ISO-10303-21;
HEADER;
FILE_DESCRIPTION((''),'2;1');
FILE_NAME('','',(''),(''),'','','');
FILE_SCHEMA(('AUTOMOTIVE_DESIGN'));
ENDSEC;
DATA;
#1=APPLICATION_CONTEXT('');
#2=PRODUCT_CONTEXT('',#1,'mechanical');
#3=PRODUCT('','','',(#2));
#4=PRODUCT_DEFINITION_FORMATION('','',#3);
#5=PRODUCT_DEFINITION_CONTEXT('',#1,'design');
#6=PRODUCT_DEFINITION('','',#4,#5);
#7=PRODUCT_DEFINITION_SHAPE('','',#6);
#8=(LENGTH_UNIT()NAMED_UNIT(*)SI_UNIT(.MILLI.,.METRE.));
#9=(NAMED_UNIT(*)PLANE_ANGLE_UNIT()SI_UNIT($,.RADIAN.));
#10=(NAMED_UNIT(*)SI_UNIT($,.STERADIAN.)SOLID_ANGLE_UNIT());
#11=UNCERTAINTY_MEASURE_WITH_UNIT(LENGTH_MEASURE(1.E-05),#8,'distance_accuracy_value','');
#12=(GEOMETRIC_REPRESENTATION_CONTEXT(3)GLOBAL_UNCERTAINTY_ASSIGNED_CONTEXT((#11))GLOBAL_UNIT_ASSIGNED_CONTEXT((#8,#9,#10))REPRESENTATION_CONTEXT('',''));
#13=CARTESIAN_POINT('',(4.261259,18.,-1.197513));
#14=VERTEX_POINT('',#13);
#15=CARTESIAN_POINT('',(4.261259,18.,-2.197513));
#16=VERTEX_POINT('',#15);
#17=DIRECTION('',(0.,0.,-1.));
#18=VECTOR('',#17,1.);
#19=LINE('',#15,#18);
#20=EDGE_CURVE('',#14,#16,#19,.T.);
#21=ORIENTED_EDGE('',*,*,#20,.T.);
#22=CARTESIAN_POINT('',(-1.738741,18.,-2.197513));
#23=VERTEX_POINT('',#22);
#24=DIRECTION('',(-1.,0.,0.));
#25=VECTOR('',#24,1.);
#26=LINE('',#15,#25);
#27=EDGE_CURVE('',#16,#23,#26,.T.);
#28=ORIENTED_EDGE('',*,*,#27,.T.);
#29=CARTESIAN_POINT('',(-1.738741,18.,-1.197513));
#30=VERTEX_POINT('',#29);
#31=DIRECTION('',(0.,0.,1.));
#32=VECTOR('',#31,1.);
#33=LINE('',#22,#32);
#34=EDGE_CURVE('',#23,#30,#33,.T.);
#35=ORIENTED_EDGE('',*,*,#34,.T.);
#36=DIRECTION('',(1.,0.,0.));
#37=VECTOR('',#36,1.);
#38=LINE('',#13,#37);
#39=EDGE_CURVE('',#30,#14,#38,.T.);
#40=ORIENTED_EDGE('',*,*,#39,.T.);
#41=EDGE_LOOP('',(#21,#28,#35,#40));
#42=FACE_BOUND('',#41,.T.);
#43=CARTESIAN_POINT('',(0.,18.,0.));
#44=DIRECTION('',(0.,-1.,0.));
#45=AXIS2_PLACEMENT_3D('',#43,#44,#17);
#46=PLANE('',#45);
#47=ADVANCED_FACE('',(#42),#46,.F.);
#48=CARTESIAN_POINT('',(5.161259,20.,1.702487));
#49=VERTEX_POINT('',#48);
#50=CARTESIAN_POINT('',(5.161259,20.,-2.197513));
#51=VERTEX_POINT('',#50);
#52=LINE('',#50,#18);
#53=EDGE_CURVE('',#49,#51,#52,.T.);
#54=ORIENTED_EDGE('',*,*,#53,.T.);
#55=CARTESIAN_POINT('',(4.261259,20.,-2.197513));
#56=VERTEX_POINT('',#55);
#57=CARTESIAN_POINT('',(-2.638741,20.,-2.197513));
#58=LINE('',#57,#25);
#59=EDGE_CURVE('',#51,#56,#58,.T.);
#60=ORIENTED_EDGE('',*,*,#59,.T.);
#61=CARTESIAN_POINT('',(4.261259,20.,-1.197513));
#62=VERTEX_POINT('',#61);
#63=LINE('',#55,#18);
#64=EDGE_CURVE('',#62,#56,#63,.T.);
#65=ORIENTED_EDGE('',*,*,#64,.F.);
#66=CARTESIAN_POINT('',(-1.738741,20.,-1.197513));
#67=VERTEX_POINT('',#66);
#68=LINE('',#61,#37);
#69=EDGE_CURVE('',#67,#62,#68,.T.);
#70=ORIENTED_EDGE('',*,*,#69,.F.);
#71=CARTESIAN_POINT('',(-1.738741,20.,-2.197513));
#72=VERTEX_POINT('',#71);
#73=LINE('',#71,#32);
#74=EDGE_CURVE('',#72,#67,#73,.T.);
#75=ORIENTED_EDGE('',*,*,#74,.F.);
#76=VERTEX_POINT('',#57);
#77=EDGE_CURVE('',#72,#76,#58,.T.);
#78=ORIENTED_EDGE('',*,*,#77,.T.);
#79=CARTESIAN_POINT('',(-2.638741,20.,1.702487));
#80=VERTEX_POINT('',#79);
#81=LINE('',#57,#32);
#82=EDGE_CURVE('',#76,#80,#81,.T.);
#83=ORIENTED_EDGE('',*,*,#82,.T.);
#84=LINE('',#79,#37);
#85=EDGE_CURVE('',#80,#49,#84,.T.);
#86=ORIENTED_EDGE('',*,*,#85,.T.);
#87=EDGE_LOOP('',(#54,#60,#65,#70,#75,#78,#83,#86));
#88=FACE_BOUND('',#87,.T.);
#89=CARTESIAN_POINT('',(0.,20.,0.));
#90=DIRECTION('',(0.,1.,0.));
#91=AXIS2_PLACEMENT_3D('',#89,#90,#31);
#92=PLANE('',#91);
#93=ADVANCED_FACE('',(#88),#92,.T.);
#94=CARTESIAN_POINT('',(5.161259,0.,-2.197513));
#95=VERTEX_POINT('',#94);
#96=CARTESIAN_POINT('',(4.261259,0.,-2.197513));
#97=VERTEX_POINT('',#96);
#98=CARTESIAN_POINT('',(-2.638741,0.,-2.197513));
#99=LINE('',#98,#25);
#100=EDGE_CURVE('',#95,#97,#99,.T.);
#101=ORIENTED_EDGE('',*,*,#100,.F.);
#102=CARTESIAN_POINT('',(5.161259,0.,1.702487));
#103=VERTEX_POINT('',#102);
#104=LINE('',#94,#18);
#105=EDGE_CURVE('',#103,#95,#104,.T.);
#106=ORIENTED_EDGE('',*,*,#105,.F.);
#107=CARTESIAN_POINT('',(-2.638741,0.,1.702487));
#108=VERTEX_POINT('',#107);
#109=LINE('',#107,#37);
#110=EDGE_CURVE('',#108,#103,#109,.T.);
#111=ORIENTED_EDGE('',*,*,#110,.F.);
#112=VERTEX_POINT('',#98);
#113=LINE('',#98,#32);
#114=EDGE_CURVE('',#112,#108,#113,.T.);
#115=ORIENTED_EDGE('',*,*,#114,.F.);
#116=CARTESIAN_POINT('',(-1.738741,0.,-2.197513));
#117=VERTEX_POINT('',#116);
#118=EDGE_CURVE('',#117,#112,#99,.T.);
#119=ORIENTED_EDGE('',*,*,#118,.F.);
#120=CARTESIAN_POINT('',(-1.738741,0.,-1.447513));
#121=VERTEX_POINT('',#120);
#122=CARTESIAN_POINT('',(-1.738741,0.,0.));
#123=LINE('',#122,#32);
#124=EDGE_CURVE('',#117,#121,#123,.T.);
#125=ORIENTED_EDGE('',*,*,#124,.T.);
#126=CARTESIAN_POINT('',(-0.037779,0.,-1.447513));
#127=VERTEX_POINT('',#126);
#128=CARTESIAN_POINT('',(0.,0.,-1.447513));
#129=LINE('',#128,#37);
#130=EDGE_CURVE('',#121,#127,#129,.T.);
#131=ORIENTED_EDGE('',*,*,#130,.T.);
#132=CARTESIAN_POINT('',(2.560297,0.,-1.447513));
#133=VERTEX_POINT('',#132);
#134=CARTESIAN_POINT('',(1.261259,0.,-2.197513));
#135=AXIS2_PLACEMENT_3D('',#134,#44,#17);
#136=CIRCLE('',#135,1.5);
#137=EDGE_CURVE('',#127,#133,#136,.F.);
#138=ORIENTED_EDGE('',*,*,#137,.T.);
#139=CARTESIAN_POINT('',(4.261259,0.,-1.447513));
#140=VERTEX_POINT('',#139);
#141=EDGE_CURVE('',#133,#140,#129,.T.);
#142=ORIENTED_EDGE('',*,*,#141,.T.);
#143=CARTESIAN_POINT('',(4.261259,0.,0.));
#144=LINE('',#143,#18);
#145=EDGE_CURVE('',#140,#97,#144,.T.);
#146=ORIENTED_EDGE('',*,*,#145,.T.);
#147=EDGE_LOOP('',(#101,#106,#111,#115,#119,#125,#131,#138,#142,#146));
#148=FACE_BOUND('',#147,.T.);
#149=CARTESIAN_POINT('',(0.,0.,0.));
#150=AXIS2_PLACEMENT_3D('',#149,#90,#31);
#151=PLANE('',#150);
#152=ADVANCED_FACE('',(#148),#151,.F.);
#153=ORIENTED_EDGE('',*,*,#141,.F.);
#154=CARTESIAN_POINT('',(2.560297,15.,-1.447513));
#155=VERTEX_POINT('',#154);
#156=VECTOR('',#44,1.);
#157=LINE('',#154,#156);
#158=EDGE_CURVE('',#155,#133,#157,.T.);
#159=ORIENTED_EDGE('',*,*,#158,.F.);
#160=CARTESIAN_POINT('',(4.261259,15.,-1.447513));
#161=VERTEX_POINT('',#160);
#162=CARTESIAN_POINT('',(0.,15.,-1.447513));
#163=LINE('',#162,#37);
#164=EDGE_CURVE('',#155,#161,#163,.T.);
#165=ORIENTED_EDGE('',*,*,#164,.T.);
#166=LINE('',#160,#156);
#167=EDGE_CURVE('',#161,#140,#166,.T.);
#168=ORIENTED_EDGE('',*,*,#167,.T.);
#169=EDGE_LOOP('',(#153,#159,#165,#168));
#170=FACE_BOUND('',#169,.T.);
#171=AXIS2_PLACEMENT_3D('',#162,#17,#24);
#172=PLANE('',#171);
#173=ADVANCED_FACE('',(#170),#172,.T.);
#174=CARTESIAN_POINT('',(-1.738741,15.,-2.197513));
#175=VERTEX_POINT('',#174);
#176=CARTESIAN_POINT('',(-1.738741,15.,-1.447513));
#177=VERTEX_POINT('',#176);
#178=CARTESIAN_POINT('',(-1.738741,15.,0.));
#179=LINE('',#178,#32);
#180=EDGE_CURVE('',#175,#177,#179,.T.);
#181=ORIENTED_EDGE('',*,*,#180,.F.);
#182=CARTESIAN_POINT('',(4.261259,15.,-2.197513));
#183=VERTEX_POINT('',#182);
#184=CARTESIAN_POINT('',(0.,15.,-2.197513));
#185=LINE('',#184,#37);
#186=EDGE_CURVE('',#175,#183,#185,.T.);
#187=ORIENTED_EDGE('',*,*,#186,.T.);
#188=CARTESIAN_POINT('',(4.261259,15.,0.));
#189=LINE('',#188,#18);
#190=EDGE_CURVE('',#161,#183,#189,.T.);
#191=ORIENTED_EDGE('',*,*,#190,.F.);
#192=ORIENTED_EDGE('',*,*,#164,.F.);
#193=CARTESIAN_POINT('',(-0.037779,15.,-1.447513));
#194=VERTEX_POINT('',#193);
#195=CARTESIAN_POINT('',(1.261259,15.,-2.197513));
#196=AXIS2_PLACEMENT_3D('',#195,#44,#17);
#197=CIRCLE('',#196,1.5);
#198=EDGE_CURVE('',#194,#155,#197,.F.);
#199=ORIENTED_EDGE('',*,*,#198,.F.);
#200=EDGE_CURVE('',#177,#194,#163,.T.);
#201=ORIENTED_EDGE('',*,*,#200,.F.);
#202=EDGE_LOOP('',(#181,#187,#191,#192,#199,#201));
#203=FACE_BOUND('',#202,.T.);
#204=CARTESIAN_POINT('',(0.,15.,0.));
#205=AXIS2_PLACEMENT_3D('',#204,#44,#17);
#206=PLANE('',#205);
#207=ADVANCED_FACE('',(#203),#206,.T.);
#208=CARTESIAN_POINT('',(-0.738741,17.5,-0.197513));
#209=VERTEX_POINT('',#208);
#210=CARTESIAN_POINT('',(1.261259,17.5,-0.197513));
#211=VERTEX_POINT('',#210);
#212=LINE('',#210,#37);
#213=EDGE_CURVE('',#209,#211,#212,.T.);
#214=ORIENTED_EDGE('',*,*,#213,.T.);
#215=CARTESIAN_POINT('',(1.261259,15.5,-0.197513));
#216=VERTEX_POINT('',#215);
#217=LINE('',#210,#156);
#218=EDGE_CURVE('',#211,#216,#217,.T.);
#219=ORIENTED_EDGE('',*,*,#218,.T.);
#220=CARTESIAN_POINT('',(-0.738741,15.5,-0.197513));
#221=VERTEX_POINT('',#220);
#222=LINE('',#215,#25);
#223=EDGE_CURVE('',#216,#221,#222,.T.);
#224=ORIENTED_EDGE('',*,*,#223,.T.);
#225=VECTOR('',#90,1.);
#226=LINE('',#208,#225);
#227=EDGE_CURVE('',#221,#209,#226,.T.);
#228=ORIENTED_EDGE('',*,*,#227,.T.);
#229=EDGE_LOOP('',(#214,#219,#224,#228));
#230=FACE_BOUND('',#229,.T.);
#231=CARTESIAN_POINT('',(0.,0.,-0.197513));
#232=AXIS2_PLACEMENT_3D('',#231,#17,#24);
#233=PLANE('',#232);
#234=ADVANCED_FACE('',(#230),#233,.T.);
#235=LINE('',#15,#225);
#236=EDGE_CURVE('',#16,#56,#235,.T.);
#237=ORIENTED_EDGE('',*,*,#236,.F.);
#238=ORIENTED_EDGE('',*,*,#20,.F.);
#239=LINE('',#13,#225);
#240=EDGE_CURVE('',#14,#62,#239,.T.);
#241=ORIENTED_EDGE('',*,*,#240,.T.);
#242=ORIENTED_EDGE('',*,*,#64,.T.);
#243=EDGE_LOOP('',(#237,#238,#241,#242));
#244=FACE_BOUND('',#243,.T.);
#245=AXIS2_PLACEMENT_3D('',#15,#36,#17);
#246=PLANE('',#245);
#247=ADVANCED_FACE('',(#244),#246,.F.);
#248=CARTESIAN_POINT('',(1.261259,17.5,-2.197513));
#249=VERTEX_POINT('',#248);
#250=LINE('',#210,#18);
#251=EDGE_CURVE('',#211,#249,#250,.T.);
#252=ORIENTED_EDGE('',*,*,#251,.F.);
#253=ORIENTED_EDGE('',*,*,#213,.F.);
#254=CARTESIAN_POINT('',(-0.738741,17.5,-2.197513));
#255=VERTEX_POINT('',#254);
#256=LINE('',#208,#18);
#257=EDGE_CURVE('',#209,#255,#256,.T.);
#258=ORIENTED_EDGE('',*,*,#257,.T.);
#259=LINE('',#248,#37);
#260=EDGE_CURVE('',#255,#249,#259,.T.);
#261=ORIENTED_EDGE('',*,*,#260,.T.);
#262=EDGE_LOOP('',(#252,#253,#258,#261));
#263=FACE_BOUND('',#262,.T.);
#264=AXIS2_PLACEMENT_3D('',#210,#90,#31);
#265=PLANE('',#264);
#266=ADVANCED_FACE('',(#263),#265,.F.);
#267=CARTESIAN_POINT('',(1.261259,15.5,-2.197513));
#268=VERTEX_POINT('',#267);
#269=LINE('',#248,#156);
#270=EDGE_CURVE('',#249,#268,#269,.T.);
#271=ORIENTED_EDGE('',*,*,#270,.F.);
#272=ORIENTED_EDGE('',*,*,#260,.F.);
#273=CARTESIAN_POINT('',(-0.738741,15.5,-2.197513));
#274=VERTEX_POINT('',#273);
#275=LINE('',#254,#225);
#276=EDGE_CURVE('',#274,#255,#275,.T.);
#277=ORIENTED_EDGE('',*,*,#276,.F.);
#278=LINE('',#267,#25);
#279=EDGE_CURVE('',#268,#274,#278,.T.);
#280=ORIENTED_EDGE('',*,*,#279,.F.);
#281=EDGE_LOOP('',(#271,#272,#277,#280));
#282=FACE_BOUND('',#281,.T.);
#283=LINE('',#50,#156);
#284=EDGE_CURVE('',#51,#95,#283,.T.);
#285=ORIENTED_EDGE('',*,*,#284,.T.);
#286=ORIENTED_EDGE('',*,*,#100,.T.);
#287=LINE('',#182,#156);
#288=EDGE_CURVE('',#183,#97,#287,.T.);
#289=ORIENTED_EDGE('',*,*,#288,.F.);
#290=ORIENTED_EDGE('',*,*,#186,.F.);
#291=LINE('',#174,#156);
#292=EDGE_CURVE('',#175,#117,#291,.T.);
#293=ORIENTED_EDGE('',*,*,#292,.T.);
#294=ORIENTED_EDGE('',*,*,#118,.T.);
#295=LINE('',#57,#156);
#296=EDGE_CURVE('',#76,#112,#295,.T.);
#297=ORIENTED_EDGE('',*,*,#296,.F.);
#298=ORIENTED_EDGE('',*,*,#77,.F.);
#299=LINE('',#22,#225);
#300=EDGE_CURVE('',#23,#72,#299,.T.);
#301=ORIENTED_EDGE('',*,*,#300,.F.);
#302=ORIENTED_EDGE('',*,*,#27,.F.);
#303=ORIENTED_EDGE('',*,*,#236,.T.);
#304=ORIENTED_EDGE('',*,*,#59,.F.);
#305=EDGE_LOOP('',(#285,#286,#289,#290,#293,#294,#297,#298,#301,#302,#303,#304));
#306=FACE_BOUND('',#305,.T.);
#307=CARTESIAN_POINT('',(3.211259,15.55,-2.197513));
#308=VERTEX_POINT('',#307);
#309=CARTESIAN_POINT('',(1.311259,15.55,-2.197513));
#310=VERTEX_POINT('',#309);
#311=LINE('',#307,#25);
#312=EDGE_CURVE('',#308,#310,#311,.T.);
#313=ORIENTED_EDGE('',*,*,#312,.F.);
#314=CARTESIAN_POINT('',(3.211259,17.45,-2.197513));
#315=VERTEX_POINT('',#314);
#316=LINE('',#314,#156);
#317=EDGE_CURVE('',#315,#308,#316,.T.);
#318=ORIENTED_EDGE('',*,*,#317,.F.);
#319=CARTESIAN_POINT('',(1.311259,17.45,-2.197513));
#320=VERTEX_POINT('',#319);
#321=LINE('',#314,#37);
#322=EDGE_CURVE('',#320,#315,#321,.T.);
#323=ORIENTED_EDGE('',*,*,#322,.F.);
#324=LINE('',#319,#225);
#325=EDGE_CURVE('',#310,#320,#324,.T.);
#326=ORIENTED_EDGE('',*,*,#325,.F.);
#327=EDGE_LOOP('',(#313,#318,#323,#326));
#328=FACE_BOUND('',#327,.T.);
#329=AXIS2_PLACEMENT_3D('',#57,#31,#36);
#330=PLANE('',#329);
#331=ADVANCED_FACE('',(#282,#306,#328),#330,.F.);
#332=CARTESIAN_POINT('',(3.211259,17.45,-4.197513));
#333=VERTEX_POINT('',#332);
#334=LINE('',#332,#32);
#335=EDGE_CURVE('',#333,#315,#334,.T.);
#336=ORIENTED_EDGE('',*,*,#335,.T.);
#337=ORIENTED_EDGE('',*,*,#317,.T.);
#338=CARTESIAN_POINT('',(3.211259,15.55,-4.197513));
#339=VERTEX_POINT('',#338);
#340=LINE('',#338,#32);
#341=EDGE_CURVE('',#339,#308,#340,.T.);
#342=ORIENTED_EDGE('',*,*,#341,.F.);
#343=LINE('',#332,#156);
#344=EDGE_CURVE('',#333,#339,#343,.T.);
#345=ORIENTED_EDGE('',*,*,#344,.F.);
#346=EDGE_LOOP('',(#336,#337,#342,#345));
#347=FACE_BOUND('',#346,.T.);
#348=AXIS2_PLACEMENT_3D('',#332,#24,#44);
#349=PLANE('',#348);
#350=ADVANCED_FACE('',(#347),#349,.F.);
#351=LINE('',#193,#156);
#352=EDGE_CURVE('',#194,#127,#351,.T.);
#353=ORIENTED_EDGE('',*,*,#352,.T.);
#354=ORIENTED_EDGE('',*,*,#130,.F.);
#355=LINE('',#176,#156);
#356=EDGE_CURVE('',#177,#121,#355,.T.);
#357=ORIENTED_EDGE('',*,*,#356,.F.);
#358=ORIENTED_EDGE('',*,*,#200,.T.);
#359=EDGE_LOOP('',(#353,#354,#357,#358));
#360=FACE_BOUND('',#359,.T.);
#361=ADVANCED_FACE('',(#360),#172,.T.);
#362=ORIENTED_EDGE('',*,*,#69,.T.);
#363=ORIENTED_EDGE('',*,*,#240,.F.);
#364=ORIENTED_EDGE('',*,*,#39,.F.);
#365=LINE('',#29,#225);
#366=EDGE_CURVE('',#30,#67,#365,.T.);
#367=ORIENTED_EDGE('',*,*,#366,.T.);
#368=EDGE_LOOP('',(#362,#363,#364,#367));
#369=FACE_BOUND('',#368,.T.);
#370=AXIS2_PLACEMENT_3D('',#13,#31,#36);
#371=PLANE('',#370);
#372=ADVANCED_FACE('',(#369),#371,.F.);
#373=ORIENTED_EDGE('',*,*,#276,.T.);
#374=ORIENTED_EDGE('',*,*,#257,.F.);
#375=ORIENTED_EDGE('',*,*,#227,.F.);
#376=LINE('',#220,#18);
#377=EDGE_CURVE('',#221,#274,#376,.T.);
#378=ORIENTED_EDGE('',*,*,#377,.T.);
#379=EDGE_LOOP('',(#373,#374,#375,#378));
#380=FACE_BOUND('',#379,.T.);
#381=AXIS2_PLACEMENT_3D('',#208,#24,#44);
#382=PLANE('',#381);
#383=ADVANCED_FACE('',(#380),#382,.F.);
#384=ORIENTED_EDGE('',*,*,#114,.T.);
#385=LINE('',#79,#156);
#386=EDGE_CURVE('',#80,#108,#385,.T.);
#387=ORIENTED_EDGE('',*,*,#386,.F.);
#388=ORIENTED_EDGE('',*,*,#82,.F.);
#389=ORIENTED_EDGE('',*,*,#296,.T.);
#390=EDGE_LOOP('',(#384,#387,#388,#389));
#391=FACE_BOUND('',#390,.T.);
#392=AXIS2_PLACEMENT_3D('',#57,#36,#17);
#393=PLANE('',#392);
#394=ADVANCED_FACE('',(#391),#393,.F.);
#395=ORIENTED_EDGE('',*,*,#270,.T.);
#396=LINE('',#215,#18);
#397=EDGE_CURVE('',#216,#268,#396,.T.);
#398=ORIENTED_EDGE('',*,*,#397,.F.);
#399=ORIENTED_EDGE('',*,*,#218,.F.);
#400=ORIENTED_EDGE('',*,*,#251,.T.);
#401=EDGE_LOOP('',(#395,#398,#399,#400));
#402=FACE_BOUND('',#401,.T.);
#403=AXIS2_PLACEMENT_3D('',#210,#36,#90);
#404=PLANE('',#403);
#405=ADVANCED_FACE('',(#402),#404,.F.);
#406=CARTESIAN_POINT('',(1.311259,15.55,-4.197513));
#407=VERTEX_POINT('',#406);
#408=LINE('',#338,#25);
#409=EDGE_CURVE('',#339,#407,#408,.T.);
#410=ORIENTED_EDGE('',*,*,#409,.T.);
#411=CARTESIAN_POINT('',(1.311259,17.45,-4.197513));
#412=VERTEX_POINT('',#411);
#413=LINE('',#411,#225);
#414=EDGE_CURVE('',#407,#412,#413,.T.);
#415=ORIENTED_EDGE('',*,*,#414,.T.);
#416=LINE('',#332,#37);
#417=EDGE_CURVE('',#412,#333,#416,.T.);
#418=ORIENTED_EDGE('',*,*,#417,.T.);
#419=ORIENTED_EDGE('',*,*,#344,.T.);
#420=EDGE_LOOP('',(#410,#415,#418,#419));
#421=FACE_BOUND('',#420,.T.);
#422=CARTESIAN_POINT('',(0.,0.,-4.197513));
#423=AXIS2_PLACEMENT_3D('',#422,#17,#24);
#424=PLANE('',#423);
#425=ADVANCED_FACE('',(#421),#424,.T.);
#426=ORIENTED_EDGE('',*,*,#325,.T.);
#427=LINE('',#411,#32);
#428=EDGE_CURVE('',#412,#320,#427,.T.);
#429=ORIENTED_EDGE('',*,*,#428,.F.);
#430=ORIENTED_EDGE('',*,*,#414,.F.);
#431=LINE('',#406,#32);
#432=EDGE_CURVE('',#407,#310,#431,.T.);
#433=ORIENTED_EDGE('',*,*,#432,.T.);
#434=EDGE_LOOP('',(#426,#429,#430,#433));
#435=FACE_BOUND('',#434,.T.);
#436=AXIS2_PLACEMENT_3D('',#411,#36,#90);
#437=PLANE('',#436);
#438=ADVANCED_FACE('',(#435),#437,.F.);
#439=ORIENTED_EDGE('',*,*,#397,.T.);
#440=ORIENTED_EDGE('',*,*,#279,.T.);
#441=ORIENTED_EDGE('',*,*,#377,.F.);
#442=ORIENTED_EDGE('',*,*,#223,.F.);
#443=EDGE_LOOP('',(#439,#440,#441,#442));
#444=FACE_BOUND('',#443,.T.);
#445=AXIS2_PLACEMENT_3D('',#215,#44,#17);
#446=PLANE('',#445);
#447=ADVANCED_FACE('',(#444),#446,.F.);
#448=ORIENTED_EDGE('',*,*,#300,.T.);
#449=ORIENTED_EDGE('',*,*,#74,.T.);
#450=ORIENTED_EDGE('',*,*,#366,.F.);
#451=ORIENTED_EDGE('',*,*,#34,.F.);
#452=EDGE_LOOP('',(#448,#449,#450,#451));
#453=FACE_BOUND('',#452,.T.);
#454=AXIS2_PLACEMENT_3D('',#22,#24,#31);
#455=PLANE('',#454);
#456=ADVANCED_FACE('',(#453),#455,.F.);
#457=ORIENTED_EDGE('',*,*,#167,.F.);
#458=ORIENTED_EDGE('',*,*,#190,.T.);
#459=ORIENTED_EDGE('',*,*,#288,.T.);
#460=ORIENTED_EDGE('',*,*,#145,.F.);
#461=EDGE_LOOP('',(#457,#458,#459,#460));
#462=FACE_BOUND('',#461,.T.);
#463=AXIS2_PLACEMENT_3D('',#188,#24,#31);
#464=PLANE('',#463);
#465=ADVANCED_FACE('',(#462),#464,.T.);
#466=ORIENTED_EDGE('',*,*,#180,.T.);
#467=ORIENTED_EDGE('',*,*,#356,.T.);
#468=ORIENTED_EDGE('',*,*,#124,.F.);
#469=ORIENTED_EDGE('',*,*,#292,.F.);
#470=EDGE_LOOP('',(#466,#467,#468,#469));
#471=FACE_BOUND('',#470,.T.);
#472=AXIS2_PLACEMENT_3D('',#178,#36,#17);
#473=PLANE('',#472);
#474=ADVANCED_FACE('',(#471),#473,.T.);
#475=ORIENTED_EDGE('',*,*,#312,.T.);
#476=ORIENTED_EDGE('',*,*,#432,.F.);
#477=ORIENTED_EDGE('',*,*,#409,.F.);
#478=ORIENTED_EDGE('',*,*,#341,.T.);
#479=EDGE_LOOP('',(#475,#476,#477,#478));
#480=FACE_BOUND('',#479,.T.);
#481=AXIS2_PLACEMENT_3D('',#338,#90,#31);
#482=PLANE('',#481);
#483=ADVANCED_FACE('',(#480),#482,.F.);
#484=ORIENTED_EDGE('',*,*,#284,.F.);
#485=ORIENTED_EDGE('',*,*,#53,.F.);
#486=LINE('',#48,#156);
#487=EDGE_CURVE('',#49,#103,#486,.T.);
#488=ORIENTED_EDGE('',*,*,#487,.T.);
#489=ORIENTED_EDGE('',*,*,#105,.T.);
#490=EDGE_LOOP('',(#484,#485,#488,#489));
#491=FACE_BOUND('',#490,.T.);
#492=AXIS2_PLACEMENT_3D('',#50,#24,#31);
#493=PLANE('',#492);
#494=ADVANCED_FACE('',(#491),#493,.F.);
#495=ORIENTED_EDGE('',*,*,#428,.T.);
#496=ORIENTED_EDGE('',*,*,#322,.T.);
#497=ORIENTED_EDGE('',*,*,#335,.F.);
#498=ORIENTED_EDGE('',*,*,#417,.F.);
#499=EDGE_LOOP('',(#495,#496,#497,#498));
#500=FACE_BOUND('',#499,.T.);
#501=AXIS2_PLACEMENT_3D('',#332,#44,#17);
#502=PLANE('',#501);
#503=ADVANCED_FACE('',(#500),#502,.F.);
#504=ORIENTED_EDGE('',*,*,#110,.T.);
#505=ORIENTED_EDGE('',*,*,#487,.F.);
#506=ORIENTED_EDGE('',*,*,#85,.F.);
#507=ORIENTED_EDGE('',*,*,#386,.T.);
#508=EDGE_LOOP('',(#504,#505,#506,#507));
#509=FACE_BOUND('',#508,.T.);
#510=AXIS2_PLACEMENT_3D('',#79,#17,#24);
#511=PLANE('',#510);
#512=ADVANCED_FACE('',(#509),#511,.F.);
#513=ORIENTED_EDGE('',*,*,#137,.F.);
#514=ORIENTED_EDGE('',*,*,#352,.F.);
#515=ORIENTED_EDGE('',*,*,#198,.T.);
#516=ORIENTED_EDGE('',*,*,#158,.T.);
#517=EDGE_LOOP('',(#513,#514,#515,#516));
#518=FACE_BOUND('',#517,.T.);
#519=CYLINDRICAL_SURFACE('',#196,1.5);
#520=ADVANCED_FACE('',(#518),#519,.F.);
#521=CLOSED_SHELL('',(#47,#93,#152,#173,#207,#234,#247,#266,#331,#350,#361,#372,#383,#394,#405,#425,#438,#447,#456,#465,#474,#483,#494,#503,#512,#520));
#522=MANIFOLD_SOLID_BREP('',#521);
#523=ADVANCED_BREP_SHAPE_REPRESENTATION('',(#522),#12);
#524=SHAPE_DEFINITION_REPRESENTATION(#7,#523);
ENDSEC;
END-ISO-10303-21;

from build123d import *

# Parameters (mm, degrees)
SKETCH1_W           = 7.8
SKETCH1_H           = 3.9
BOSS_EXTRUDE1_DEPTH = 20
CUT_EXTRUDE1_DEPTH  = 15
SKETCH4_W           = 6
SKETCH4_H           = 1
CUT_EXTRUDE2_DEPTH  = 2
SKETCH6_W           = 1.9
SKETCH6_H           = 1.9
BOSS_EXTRUDE3_DEPTH = 2
SKETCH7_W           = 2
SKETCH7_H           = 2
CUT_EXTRUDE3_DEPTH  = 2


with BuildPart() as part:
    # Sketch1 → Boss-Extrude1 (new body)
    with BuildSketch(Plane(origin=(0, 0, 0), x_dir=(1, 0, 0), z_dir=(0, 1, 0))):
        with Locations((1.261259263, 0.247513191)):
            Rectangle(SKETCH1_W, SKETCH1_H)
    extrude(amount=BOSS_EXTRUDE1_DEPTH)

    # Sketch3 → Cut-Extrude1 (cut)
    with BuildSketch(Plane.XZ):
        with BuildLine():
            Line((-0.238740737, -2.197513191), (2.761259263, -2.197513191))
            ThreePointArc((2.761259263, -2.197513191), (2.710148003, -1.809284623), (2.560297369, -1.447513191))
            Line((2.560297369, -1.447513191), (-0.037778842, -1.447513191))
            ThreePointArc((-0.037778842, -1.447513191), (-0.187629476, -1.809284623), (-0.238740737, -2.197513191))
        make_face()
        with BuildLine():
            Line((2.761259263, -2.197513191), (4.261259263, -2.197513191))
            Line((4.261259263, -2.197513191), (4.261259263, -1.447513191))
            Line((4.261259263, -1.447513191), (2.560297369, -1.447513191))
            ThreePointArc((2.560297369, -1.447513191), (2.710148003, -1.809284623), (2.761259263, -2.197513191))
        make_face()
        with BuildLine():
            Line((-0.037778842, -1.447513191), (2.560297369, -1.447513191))
            ThreePointArc((2.560297369, -1.447513191), (1.261259263, -0.697513191), (-0.037778842, -1.447513191))
        make_face()
        with BuildLine():
            Line((-1.738740737, -2.197513191), (-0.238740737, -2.197513191))
            ThreePointArc((-0.238740737, -2.197513191), (-0.187629476, -1.809284623), (-0.037778842, -1.447513191))
            Line((-0.037778842, -1.447513191), (-1.738740737, -1.447513191))
            Line((-1.738740737, -1.447513191), (-1.738740737, -2.197513191))
        make_face()
    extrude(amount=-CUT_EXTRUDE1_DEPTH, mode=Mode.SUBTRACT)

    # Sketch4 → Cut-Extrude2 (cut)
    with BuildSketch(Plane(origin=(0, 20, 0), x_dir=(1, 0, 0), z_dir=(0, 1, 0))):
        with Locations((1.261259263, 1.697513191)):
            Rectangle(SKETCH4_W, SKETCH4_H)
    extrude(amount=-CUT_EXTRUDE2_DEPTH, mode=Mode.SUBTRACT)

    # Sketch6 → Boss-Extrude3 (add)
    with BuildSketch(Plane(origin=(0, 0, -2.197513191), x_dir=(-1, 0, 0), z_dir=(0, 0, -1))):
        with Locations((-2.261259263, 16.5)):
            Rectangle(SKETCH6_W, SKETCH6_H)
    extrude(amount=BOSS_EXTRUDE3_DEPTH)

    # Sketch7 → Cut-Extrude3 (cut)
    with BuildSketch(Plane(origin=(0, 0, -2.197513191), x_dir=(-1, 0, 0), z_dir=(0, 0, -1))):
        with Locations((-0.261259263, 16.5)):
            Rectangle(SKETCH7_W, SKETCH7_H)
    extrude(amount=-CUT_EXTRUDE3_DEPTH, mode=Mode.SUBTRACT)


solid = part.part
